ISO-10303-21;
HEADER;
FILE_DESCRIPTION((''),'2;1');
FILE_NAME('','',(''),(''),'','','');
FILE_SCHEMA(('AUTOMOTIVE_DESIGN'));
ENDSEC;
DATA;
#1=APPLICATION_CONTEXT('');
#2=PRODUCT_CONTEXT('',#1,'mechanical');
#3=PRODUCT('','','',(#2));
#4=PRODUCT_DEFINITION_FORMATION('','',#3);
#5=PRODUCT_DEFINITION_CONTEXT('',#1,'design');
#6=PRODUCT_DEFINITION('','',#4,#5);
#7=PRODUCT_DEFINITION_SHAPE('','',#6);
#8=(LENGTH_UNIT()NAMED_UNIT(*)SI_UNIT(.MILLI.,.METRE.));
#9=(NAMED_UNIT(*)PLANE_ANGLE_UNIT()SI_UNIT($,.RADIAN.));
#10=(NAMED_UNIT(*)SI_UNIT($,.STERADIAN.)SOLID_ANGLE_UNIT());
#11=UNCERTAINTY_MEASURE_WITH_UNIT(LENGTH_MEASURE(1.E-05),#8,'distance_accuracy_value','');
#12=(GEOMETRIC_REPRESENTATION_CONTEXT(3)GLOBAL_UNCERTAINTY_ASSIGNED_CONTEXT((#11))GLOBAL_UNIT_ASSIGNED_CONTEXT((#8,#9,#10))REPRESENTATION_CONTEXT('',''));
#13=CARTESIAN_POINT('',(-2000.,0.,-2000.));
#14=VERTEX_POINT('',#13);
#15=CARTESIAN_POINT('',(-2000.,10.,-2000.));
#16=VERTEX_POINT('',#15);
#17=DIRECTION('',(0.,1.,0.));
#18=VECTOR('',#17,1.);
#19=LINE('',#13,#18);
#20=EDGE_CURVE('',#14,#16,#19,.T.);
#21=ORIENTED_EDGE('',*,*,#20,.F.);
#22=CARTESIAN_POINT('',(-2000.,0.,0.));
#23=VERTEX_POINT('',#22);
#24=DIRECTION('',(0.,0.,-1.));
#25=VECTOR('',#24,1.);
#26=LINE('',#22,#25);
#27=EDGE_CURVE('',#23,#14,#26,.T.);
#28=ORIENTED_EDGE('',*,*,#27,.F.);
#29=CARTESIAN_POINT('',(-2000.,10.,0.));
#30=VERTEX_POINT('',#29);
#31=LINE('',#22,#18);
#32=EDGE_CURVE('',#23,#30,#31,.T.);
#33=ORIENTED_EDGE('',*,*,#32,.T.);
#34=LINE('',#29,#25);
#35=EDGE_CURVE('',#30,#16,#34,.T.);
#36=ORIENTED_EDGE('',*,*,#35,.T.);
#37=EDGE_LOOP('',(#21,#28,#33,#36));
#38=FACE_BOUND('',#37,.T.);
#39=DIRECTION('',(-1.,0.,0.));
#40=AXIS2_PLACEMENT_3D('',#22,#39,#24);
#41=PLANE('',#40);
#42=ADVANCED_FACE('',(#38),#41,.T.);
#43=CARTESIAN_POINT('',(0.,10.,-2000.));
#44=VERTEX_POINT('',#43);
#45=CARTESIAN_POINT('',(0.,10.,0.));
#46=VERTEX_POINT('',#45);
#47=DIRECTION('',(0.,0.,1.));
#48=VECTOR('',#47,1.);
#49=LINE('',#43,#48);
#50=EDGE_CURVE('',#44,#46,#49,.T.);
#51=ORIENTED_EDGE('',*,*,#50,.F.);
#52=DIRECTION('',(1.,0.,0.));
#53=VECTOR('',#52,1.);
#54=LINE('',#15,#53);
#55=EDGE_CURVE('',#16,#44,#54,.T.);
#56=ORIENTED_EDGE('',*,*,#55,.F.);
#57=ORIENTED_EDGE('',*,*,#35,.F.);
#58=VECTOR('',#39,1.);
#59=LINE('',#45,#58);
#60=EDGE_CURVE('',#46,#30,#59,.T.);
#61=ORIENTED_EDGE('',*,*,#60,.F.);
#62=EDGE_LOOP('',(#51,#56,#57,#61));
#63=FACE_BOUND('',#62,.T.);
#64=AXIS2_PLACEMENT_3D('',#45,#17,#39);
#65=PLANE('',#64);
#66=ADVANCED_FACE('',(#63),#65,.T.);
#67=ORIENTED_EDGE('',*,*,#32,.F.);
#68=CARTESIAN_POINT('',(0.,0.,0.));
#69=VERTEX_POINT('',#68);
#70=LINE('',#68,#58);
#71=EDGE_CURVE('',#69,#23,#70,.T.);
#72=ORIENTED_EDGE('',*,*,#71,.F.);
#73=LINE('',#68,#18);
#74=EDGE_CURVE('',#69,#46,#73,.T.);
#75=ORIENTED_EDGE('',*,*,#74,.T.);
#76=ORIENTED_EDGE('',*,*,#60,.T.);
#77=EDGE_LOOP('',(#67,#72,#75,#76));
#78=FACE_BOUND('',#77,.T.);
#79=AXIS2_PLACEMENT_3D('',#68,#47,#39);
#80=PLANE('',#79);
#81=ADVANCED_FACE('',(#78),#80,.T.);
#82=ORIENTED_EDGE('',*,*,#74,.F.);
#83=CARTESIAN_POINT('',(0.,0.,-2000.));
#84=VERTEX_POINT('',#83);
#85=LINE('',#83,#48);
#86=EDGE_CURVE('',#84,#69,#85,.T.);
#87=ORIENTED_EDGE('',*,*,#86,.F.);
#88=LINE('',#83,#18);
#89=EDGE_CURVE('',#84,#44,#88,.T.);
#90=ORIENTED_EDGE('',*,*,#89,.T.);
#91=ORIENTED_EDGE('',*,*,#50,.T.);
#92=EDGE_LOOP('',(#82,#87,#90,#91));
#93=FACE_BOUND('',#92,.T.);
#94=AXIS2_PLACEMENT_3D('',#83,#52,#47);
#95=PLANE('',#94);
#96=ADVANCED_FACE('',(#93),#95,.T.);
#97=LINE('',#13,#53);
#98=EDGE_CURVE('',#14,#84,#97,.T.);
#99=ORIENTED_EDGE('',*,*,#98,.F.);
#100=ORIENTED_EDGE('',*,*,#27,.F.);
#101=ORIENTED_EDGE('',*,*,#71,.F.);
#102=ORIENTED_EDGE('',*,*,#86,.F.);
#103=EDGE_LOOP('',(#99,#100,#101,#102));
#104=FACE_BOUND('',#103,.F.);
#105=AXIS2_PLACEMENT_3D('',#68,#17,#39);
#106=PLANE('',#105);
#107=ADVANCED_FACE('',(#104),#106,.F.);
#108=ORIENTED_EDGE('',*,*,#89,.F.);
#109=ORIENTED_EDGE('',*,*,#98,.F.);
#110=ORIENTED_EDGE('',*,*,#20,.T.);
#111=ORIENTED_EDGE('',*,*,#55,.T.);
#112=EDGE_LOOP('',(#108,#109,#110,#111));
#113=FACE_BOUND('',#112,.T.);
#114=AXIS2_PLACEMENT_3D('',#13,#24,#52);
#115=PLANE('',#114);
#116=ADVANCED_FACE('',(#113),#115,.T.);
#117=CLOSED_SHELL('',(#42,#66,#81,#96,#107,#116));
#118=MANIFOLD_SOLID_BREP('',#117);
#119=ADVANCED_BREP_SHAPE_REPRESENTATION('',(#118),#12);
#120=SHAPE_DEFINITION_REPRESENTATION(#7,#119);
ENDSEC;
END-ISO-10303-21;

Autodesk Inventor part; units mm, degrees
ref_plane "YZ Plane" through (0, 0, 0) normal (1, 0, 0) x (0, 1, 0)
ref_plane "XZ Plane" through (0, 0, 0) normal (0, 1, 0) x (-1, 0, 0)
ref_plane "XY Plane" through (0, 0, 0) normal (0, 0, 1) x (1, 0, 0)
sketch "草圖1" plane through (0, 0, 0) normal (0, 1, 0) x (-1, 0, 0)
  line L0 (0, 0) -> (2000, 0)
  line L1 (2000, 0) -> (2000, -2000)
  line L2 (2000, -2000) -> (0, -2000)
  line L3 (0, -2000) -> (0, 0)
  dimension "d0" = 2000
  dimension "d1" = 2000
extrude "擠出1" add sketch "草圖1" along normal blind 10
equation "\"折彎半徑\" = 厚度"
equation "\"折彎離隙寬度\" = 厚度"
equation "\"折彎離隙深度\" = 0.5 * 厚度"
equation "\"轉角離隙大小\" = 4 * 厚度"
equation "\"最小剩餘\" = 2 * 厚度"
equation "\"轉移半徑\" = 折彎半徑"
equation "\"Jacobi半徑大小\" = 折彎半徑"
equation "\"間隙大小\" = 厚度"
equation "\"厚度\" = 0.5"
properties part number "底板"
